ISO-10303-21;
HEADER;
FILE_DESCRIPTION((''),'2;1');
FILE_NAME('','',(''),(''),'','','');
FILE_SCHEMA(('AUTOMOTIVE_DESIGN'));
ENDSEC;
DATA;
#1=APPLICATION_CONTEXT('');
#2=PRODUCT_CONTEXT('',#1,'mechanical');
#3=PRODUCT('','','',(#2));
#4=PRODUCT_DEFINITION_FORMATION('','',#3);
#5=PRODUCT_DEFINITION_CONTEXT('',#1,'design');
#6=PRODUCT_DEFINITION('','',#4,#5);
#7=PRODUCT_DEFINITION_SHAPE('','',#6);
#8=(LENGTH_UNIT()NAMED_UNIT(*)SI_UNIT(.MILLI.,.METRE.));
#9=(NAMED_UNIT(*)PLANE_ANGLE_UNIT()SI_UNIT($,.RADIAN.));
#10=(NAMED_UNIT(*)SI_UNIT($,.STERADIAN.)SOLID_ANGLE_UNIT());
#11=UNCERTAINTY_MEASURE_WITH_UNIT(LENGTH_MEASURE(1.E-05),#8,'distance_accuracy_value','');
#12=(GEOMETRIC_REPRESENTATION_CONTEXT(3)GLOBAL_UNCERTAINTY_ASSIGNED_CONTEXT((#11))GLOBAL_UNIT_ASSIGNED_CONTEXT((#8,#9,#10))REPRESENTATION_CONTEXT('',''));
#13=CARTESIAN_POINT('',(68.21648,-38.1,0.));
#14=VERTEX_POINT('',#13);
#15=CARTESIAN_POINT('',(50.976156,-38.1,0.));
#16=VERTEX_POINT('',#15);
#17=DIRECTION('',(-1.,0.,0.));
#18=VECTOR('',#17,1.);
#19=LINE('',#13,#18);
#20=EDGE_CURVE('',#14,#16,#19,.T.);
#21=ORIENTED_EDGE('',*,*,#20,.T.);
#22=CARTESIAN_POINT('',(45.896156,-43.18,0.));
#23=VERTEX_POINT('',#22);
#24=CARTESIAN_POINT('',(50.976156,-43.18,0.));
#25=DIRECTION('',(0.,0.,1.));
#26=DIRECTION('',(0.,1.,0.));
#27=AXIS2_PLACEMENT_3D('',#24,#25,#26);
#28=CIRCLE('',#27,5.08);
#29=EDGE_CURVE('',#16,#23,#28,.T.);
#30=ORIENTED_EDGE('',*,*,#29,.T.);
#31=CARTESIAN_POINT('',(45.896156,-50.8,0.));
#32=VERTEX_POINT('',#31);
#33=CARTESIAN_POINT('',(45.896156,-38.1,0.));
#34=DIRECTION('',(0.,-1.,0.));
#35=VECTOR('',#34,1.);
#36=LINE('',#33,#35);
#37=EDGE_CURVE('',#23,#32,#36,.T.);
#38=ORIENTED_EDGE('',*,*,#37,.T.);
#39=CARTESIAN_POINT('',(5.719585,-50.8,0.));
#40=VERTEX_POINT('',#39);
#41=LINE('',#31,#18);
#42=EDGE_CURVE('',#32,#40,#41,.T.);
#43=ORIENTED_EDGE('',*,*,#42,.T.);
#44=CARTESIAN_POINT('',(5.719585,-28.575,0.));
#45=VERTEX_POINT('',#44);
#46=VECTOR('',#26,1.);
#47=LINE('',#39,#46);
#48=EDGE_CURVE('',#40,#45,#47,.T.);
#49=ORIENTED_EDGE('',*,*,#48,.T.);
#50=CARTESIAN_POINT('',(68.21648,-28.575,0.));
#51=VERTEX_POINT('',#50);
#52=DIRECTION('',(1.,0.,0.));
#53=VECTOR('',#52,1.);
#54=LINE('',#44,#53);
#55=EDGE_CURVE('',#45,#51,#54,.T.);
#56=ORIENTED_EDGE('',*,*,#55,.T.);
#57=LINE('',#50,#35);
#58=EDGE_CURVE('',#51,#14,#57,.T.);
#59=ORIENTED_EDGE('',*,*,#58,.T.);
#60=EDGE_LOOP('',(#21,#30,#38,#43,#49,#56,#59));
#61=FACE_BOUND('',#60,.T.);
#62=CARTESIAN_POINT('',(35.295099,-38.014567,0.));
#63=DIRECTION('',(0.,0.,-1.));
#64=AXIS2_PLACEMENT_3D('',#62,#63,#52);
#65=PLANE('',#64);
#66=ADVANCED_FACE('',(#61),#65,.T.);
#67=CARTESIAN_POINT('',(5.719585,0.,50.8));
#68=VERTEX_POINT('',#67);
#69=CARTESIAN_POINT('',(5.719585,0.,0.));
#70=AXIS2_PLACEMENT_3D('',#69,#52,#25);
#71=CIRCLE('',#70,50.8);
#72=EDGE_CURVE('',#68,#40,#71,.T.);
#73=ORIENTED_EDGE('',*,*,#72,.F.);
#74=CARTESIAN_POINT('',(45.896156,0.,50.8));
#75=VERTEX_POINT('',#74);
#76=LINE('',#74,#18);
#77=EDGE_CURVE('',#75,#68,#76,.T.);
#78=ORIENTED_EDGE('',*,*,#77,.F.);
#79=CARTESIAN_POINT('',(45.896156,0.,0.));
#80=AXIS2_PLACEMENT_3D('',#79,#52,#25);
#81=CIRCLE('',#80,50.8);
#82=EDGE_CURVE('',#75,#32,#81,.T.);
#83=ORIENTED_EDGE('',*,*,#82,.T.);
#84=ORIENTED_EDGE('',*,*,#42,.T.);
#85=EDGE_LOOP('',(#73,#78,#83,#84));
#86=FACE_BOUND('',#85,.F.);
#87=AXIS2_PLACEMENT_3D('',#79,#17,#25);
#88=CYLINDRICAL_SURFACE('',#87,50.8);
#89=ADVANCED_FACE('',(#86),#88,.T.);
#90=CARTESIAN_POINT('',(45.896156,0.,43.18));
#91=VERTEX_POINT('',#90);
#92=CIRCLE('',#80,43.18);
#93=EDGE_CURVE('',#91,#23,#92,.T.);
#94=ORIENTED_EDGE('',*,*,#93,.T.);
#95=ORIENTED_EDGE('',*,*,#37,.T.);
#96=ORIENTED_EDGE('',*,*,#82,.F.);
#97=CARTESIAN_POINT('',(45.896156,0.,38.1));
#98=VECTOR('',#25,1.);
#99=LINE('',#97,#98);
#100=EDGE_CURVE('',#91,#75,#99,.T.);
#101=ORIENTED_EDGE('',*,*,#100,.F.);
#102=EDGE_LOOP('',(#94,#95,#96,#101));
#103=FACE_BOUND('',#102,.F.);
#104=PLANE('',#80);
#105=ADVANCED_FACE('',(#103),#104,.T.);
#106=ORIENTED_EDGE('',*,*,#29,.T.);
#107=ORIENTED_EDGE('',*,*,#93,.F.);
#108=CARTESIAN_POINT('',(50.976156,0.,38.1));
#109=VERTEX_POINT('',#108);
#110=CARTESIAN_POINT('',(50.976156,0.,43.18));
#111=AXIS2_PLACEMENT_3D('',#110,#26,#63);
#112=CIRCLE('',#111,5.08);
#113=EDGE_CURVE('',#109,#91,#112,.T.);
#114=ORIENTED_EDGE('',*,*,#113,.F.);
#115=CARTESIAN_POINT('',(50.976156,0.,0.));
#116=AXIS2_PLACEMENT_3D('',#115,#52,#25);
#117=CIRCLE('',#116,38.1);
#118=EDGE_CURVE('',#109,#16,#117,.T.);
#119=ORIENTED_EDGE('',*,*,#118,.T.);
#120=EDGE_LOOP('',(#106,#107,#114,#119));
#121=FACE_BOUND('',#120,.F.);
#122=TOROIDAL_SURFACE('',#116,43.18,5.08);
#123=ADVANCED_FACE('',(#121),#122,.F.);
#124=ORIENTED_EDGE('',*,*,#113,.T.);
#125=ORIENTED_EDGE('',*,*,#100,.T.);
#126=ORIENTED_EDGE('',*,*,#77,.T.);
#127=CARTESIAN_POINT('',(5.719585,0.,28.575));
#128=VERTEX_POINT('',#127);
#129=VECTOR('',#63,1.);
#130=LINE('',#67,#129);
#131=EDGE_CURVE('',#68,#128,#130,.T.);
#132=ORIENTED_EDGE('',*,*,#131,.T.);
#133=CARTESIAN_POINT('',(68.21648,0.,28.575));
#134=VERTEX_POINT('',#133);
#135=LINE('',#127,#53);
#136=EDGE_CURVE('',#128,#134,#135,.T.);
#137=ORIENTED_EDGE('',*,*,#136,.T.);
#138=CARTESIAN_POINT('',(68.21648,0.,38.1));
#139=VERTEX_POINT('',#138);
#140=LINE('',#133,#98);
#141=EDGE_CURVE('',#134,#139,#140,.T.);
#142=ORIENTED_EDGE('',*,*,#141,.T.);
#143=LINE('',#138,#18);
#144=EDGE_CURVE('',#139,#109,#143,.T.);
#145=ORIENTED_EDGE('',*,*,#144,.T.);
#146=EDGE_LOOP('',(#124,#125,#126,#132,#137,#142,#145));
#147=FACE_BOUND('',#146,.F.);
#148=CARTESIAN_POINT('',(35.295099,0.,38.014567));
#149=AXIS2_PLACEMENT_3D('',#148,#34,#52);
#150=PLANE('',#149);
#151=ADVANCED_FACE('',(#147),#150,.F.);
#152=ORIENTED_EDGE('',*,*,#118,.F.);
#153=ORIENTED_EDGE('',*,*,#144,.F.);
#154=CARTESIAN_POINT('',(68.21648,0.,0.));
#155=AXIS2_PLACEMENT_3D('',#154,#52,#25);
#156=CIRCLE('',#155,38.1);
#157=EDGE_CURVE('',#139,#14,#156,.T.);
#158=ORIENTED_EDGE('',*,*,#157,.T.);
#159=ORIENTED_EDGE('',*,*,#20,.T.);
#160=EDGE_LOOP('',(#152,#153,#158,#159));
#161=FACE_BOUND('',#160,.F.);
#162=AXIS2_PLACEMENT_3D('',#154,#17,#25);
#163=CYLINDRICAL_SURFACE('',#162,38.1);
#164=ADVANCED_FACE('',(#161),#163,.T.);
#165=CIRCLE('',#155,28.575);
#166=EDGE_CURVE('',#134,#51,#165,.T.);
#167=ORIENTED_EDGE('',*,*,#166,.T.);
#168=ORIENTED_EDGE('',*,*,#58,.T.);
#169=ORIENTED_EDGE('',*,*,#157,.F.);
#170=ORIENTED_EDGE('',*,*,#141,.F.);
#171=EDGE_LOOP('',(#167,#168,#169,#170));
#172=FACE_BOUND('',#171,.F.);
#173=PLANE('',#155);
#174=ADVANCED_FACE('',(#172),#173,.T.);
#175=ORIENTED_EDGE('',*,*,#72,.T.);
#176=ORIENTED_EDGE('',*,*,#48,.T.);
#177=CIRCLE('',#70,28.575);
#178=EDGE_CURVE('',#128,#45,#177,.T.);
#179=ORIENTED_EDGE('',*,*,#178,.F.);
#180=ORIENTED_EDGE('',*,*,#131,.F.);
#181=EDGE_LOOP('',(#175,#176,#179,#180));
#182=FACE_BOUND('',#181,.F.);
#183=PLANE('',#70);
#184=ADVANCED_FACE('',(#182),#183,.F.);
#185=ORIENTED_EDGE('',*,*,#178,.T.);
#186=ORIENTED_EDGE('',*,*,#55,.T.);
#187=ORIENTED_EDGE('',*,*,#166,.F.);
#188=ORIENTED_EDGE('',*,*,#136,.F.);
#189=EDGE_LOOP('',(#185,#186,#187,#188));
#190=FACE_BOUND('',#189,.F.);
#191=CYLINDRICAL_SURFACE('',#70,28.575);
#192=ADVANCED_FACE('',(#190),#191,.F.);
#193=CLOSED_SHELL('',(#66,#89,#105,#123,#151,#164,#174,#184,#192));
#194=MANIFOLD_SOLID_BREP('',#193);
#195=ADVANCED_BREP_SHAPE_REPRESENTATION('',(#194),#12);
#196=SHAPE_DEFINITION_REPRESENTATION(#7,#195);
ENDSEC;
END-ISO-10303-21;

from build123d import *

# Parameters (mm, degrees)
F1_ANGLE = 90
F2_R     = 5.08


with BuildPart() as f1:
    # F0 (on Front) → F1 (revolve)
    with BuildSketch(Plane.XZ):
        Polygon((45.896156, 50.8), (5.719585, 50.8), (5.719585, 28.575), (68.21648, 28.575), (68.21648, 38.1), (45.896156, 38.1), align=None)
    revolve(axis=Axis((39.269814, 0, 0), (1, 0, 0)), revolution_arc=F1_ANGLE)

    # F2
    f2_edges = [f1.edges().sort_by_distance(p)[0] for p in [
        (45.896156, -26.940768, 26.940768),
    ]]
    fillet(f2_edges, radius=F2_R)


solid = f1.part
